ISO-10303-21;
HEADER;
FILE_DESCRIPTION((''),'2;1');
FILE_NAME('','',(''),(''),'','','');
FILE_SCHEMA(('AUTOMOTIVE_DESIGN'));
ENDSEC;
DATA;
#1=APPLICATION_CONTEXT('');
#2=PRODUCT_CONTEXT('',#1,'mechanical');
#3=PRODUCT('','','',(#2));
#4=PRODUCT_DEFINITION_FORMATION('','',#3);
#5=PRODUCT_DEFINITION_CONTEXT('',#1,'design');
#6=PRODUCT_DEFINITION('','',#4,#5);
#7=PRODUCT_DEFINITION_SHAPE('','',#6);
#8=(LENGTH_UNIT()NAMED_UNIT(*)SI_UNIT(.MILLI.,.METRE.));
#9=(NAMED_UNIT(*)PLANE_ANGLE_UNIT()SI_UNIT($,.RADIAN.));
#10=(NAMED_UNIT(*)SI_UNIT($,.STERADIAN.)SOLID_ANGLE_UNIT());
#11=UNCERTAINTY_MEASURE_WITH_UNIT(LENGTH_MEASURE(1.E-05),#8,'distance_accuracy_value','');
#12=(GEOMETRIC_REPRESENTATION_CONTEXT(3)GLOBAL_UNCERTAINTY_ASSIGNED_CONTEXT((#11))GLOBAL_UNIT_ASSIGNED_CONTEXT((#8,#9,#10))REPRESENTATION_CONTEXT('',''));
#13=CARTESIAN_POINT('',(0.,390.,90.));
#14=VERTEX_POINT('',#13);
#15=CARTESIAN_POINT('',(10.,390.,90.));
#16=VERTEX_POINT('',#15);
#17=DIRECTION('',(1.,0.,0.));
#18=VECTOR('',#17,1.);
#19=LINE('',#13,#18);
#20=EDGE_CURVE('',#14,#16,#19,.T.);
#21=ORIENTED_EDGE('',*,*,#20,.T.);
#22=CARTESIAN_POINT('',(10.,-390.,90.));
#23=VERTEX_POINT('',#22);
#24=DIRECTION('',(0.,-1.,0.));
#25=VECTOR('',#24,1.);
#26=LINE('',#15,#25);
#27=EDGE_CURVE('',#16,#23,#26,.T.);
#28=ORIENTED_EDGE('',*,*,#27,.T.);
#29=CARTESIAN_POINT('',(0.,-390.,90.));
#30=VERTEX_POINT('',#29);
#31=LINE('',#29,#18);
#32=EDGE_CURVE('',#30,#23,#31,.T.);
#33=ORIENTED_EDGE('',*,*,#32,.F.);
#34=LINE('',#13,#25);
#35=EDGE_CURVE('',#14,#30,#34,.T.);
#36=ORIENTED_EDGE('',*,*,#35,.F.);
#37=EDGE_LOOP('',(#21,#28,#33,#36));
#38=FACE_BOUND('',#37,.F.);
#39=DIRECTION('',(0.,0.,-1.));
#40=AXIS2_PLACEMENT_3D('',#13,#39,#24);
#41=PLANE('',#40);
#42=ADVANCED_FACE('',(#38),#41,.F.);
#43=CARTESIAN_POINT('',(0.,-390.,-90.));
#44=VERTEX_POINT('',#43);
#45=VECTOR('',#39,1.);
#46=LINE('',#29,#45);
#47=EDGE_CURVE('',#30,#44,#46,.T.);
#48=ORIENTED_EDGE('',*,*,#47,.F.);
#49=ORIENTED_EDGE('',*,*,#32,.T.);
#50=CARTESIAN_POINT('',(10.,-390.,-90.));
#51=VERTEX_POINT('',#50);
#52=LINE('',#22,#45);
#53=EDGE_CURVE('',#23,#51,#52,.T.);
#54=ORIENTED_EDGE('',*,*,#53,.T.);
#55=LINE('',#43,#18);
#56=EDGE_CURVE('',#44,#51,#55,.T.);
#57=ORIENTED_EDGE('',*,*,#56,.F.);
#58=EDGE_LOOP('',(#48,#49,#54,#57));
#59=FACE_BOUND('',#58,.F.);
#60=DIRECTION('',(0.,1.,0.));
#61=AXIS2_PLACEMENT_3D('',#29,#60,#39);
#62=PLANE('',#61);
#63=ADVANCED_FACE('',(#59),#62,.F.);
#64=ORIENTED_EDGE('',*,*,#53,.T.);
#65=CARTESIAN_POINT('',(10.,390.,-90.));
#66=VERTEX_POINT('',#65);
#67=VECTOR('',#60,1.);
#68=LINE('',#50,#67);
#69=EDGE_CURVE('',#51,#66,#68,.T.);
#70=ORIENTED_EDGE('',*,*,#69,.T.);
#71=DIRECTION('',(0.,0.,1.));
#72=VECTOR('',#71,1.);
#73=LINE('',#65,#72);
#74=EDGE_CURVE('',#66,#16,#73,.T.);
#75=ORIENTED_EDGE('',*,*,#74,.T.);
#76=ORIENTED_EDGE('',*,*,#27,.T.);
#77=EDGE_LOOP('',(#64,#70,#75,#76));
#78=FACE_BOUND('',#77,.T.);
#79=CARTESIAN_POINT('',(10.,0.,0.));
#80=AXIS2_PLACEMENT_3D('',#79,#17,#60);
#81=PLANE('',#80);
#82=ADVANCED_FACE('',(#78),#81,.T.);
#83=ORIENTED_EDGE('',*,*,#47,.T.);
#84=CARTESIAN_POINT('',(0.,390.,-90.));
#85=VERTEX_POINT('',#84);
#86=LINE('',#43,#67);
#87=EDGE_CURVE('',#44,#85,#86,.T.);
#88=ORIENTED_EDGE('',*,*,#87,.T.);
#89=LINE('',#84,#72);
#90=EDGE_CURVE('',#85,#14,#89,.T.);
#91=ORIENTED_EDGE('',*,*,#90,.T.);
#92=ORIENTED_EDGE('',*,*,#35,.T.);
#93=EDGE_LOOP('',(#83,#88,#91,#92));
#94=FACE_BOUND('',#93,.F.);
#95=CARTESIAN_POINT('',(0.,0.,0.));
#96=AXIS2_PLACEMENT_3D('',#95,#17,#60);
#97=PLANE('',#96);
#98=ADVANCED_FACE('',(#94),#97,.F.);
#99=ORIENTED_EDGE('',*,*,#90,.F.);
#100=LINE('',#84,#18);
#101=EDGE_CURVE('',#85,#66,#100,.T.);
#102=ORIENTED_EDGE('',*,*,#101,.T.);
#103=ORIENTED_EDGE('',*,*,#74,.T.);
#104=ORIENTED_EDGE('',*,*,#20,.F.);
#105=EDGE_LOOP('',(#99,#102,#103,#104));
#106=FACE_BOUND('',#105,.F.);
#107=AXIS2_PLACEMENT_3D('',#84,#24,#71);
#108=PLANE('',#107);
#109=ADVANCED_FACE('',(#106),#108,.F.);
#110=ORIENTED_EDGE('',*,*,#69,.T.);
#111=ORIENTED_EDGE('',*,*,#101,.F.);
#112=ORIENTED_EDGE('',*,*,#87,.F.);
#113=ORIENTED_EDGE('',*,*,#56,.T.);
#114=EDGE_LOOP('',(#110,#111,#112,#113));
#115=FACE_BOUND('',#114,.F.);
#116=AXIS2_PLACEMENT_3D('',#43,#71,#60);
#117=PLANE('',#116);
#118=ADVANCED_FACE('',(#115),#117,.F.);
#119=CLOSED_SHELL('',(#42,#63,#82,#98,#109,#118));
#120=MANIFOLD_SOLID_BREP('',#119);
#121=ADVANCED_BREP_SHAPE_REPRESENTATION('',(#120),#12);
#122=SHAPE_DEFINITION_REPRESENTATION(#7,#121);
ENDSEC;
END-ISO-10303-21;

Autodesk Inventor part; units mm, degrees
ref_plane "YZ Plane" through (0, 0, 0) normal (1, 0, 0) x (0, 1, 0)
ref_plane "XZ Plane" through (0, 0, 0) normal (0, 1, 0) x (-1, 0, 0)
ref_plane "XY Plane" through (0, 0, 0) normal (0, 0, 1) x (1, 0, 0)
sketch "Sketch1" plane through (0, 0, 0) normal (1, 0, 0) x (0, 1, 0)
  line L0 (390, 90) -> (-390, 90)
  line L1 (-390, 90) -> (-390, -90)
  line L2 (-390, -90) -> (390, -90)
  line L3 (390, -90) -> (390, 90)
  line L4 (390, 90) -> (-390, -90) construction
  line L5 (-390, 90) -> (390, -90) construction
  point P0 (0, 0)
  dimension "d0" = 780
  dimension "d1" = 180
extrude "Extrusion1" add sketch "Sketch1" along normal blind 10
properties part number "drewniany obwod"
